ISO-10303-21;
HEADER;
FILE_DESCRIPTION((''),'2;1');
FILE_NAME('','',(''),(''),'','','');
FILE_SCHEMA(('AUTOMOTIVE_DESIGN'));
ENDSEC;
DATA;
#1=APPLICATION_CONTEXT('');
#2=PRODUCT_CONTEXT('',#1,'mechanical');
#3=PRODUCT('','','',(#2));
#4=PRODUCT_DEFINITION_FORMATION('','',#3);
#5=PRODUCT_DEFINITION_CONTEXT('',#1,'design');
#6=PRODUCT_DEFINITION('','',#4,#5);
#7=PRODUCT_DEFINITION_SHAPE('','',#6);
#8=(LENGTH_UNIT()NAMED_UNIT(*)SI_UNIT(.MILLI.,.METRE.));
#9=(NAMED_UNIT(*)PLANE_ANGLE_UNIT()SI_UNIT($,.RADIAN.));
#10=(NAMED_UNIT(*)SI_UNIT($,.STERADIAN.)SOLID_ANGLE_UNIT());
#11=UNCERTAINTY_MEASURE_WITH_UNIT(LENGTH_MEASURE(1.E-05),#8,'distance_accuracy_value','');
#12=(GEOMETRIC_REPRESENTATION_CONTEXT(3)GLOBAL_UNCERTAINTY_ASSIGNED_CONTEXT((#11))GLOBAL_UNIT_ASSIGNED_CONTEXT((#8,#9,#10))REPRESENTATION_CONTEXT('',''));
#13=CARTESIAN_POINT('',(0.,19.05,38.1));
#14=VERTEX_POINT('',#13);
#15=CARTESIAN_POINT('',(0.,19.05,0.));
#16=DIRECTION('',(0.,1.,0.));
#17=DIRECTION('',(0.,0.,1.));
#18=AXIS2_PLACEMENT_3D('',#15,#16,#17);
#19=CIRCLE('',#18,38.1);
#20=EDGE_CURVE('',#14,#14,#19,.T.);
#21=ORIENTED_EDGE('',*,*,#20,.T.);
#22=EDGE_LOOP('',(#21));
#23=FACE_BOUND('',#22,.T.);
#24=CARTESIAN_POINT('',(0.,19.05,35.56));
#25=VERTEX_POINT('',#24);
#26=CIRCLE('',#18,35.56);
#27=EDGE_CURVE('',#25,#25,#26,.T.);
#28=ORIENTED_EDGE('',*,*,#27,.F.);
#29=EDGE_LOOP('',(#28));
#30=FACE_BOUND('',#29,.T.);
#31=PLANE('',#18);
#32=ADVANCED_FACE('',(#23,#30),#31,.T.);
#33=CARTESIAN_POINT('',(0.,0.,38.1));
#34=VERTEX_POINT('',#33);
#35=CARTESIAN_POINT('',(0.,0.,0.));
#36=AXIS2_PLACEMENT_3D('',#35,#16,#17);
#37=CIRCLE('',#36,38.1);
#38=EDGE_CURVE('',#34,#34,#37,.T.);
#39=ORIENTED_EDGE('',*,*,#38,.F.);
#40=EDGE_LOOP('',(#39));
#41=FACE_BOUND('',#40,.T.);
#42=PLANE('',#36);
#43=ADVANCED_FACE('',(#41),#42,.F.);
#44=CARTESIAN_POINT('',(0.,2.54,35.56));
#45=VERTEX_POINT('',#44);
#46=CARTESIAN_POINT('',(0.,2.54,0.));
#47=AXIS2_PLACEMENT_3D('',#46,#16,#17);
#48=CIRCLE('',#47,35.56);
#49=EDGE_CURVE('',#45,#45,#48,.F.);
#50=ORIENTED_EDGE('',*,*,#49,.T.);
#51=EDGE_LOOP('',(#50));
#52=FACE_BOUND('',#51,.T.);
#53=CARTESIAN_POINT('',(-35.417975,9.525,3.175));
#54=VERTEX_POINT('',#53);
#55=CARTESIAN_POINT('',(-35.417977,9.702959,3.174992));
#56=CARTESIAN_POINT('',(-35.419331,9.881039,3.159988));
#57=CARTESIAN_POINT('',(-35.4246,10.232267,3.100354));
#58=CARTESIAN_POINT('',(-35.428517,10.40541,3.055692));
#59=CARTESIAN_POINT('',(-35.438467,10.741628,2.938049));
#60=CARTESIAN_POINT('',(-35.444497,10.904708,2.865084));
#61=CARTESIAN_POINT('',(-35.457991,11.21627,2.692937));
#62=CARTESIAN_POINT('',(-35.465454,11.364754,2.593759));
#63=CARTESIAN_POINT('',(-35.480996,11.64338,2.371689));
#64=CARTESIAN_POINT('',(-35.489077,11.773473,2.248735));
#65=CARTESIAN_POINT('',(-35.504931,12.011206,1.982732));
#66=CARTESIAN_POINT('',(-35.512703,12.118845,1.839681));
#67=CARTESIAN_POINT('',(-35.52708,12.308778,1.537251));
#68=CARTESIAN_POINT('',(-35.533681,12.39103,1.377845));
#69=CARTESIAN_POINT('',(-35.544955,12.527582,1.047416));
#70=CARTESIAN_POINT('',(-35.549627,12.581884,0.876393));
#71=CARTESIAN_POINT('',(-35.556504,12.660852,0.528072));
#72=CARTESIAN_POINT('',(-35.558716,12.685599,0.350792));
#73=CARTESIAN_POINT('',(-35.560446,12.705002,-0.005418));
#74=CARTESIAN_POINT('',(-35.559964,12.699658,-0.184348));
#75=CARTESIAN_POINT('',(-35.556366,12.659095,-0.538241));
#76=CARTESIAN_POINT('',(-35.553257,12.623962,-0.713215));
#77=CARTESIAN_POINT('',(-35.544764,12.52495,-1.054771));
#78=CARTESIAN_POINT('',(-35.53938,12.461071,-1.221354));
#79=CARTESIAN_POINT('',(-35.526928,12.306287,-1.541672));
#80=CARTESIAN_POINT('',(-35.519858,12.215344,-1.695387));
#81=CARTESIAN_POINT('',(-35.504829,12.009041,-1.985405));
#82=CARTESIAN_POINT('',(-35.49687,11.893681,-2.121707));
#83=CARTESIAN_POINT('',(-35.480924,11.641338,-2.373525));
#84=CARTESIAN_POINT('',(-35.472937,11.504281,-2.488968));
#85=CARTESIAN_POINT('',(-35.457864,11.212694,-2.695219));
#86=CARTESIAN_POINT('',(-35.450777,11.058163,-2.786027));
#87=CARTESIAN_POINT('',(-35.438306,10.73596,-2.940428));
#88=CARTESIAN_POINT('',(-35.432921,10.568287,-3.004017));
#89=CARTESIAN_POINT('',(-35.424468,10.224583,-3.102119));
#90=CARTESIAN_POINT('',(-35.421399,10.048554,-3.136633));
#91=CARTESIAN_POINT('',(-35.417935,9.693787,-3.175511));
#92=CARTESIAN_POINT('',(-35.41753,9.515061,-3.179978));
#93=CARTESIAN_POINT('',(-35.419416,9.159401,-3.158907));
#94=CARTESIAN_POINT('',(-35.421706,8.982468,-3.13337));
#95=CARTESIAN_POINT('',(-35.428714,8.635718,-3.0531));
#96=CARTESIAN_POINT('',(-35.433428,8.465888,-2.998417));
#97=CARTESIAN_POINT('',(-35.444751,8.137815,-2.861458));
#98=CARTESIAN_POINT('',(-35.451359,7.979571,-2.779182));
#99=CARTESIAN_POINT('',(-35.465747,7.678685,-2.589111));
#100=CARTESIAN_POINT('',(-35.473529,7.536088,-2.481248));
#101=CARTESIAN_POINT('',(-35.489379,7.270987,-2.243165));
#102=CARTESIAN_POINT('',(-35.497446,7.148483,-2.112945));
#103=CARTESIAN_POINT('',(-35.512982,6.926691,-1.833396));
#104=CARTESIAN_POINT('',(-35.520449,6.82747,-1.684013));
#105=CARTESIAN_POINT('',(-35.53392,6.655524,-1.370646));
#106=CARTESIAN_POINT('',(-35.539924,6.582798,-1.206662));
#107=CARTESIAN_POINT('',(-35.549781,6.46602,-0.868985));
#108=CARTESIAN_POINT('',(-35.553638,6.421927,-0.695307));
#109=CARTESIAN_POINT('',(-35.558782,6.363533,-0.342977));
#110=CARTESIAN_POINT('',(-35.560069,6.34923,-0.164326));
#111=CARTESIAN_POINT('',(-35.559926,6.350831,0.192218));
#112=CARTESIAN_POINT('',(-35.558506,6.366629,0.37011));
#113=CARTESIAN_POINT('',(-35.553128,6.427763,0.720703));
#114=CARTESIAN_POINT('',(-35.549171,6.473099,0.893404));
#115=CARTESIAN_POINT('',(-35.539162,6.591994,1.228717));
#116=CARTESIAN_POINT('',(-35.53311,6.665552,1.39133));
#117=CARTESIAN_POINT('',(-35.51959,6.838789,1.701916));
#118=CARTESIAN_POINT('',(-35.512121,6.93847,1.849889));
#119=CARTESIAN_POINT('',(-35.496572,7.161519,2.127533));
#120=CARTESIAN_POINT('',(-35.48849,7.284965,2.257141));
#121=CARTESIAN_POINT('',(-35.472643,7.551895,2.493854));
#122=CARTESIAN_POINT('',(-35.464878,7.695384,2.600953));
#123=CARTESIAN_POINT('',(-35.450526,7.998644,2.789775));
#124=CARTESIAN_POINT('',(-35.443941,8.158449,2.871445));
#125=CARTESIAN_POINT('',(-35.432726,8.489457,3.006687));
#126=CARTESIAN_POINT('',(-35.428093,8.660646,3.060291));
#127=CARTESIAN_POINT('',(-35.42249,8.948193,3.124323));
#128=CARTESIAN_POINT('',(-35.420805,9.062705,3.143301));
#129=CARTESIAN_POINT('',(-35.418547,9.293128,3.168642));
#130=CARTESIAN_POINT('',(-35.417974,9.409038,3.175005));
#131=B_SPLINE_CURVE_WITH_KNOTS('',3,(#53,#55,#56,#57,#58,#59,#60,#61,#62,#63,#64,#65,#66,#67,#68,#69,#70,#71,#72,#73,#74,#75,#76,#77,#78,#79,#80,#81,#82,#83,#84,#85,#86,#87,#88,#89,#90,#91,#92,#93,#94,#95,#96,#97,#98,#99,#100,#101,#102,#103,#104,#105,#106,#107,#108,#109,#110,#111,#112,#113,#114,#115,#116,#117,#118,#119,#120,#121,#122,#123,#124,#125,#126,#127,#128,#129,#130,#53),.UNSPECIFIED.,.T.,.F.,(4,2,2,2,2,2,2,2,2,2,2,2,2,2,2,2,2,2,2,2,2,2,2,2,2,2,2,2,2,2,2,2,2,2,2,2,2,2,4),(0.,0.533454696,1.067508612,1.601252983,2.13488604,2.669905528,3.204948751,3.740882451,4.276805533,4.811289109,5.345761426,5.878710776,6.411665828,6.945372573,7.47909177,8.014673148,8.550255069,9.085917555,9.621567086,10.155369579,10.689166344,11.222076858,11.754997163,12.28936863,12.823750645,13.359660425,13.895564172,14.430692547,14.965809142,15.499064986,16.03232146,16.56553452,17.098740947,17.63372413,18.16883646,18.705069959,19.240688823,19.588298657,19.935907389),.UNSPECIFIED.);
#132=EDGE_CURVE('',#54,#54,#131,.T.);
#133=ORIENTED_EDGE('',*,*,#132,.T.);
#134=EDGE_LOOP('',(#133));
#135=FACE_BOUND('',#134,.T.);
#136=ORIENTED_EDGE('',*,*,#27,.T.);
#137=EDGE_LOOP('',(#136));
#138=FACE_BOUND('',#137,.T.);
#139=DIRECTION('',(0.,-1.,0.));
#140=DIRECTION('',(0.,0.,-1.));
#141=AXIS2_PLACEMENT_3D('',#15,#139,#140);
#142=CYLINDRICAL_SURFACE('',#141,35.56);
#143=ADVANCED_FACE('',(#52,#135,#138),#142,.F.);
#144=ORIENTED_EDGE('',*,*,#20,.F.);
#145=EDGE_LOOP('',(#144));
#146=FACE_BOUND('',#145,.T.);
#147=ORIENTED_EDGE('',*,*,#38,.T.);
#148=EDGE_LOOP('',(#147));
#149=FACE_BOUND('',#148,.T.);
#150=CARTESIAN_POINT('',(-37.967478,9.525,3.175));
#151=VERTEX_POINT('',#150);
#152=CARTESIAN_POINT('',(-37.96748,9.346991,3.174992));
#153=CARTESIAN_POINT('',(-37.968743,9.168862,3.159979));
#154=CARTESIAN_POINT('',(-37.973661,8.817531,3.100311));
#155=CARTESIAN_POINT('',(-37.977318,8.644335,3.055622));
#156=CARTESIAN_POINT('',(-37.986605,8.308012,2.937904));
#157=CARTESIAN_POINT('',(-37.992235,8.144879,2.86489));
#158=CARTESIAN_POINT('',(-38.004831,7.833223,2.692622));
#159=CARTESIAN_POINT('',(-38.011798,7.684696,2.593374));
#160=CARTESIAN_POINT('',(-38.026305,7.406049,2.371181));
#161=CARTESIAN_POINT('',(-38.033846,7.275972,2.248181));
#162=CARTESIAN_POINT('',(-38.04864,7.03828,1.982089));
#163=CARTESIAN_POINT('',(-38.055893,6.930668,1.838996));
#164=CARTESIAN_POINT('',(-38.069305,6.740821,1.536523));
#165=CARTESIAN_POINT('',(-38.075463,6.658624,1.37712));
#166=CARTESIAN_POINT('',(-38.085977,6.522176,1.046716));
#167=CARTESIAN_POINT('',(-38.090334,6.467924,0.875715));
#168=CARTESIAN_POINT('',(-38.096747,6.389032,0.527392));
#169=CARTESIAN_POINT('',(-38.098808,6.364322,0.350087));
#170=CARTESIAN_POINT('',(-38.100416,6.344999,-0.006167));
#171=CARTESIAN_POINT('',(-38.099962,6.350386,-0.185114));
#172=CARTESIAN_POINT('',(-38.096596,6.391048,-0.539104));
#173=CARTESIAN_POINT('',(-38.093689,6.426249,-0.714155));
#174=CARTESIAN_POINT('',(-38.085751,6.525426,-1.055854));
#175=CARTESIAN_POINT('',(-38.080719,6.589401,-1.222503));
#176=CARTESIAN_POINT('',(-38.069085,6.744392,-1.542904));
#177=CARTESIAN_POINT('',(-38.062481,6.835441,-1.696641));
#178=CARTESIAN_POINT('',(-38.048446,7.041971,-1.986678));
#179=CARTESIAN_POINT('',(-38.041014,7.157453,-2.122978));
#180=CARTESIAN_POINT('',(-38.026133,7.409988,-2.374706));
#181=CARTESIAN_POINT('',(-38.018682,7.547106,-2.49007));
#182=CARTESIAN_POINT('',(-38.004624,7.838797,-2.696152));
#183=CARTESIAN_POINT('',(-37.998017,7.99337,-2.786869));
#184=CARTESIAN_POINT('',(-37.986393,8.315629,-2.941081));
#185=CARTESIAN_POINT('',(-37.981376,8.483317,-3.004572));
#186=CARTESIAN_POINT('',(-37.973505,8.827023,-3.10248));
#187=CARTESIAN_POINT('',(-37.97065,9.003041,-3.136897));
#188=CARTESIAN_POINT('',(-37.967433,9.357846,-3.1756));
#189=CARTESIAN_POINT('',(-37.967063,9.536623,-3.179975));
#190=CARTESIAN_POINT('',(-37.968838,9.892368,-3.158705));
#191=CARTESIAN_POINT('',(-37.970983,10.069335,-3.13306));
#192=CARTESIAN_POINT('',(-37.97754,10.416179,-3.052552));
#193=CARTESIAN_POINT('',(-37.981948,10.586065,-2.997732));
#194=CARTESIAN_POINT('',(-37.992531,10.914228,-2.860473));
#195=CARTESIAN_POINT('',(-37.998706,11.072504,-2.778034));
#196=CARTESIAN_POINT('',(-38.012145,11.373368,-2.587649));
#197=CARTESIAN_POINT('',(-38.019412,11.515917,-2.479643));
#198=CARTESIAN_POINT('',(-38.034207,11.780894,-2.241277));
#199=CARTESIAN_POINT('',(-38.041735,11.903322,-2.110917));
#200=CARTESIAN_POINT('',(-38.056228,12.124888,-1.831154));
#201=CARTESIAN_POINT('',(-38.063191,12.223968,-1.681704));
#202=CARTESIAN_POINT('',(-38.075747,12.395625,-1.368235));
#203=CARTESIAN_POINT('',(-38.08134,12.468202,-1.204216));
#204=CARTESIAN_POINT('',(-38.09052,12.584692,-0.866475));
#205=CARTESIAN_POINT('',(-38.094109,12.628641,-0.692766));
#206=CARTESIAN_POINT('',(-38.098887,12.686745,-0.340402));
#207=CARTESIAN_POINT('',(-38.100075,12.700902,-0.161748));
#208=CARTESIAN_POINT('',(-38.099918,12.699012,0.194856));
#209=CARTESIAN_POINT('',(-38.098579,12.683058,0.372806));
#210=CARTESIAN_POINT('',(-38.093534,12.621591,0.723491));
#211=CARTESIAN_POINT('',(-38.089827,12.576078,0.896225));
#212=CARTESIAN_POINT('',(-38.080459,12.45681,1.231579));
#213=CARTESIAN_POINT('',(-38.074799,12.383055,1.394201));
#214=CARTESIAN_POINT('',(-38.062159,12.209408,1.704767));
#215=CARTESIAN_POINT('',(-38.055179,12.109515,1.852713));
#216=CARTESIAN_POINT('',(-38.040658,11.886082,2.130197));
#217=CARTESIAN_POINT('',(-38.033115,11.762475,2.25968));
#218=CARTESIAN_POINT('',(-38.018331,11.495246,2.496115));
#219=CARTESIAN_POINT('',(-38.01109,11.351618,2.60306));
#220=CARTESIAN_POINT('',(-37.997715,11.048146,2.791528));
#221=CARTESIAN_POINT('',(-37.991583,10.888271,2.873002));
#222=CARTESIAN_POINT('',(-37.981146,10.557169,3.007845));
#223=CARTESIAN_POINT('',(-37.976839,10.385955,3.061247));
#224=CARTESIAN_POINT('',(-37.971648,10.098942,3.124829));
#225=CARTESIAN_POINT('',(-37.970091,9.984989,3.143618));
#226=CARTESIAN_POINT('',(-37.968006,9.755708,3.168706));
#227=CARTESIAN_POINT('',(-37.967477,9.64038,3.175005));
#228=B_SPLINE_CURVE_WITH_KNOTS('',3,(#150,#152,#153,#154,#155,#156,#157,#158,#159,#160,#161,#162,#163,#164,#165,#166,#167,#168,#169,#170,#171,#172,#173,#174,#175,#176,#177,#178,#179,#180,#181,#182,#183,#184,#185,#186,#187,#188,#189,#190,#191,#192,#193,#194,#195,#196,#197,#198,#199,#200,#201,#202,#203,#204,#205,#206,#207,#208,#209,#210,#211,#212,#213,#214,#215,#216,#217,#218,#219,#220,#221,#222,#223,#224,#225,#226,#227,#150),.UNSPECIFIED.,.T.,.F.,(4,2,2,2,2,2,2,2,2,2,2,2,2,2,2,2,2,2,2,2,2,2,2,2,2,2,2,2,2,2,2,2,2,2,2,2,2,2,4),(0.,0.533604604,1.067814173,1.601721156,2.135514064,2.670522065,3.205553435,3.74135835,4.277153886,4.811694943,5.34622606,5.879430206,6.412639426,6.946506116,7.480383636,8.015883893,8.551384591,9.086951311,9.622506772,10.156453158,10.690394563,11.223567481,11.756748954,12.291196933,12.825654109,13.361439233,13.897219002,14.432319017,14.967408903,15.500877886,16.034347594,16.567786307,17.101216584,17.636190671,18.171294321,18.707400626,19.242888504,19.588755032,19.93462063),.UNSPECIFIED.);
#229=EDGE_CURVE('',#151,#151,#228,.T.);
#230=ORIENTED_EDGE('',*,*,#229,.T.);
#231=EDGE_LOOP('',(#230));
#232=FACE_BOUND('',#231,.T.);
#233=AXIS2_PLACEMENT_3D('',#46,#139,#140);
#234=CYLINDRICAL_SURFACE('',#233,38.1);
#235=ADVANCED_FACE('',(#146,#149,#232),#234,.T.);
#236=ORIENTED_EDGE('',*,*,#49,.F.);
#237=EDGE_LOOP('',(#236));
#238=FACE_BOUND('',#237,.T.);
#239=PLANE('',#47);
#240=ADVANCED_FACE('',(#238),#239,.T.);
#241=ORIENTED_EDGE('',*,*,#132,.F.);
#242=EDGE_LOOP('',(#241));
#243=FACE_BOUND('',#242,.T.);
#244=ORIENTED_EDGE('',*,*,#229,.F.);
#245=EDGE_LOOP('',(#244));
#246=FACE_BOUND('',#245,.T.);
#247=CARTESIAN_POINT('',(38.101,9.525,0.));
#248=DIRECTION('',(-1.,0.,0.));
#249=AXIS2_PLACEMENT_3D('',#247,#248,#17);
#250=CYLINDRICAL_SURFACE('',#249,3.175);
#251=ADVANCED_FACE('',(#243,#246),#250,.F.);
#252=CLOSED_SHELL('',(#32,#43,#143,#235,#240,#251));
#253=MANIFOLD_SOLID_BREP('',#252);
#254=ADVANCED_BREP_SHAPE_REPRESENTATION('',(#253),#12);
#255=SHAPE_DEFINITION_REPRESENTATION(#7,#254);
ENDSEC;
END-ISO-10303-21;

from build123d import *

# Parameters (mm, degrees)
SKETCH1_R               = 38.1
BOSS_EXTRUDE1_DEPTH     = 2.54
SKETCH2_R               = 38.1
SKETCH2_R_2             = 35.56
BOSS_EXTRUDE2_DEPTH     = 16.51
CUT_EXTRUDE1_REACH      = 89.298
CUT_EXTRUDE1_END_RADIUS = 35.56
SKETCH3_R               = 3.175


with BuildPart() as part:
    # Sketch1 → Boss-Extrude1 (new body)
    with BuildSketch(Plane(origin=(0, 0, 0), x_dir=(1, 0, 0), z_dir=(0, 1, 0))):
        with Locations(Location((0, 0, 0), (0, 0, 270))):
            Circle(SKETCH1_R)
    extrude(amount=BOSS_EXTRUDE1_DEPTH)

    # Sketch2 → Boss-Extrude2 (add)
    with BuildSketch(Plane(origin=(0, 2.54, 0), x_dir=(1, 0, 0), z_dir=(0, 1, 0))):
        with Locations(Location((0, 0, 0), (0, 0, 270))):
            Circle(SKETCH2_R)
        with Locations(Location((0, 0, 0), (0, 0, 270))):
            Circle(SKETCH2_R_2, mode=Mode.SUBTRACT)
    extrude(amount=BOSS_EXTRUDE2_DEPTH)

    # Cut-Extrude1: up to this cylinder (the profile starts outside it)
    cut_extrude1_end = Plane(origin=(0, 9.525, 0), z_dir=(0, -1, 0)) * Cylinder(CUT_EXTRUDE1_END_RADIUS, 250.716, mode=Mode.PRIVATE)
    # Sketch3 → Cut-Extrude1 (cut, up to the surface)
    with BuildSketch(Plane.ZY.offset(38.1), mode=Mode.PRIVATE) as cut_extrude1_sk1:
        with Locations((0, 9.525)):
            Circle(SKETCH3_R)
    cut_extrude1_tool1 = extrude(cut_extrude1_sk1.sketch, amount=-CUT_EXTRUDE1_REACH, mode=Mode.PRIVATE) - cut_extrude1_end
    add(cut_extrude1_tool1.solids().sort_by_distance((-38.1, 9.525, 0))[0], mode=Mode.SUBTRACT)


solid = part.part
